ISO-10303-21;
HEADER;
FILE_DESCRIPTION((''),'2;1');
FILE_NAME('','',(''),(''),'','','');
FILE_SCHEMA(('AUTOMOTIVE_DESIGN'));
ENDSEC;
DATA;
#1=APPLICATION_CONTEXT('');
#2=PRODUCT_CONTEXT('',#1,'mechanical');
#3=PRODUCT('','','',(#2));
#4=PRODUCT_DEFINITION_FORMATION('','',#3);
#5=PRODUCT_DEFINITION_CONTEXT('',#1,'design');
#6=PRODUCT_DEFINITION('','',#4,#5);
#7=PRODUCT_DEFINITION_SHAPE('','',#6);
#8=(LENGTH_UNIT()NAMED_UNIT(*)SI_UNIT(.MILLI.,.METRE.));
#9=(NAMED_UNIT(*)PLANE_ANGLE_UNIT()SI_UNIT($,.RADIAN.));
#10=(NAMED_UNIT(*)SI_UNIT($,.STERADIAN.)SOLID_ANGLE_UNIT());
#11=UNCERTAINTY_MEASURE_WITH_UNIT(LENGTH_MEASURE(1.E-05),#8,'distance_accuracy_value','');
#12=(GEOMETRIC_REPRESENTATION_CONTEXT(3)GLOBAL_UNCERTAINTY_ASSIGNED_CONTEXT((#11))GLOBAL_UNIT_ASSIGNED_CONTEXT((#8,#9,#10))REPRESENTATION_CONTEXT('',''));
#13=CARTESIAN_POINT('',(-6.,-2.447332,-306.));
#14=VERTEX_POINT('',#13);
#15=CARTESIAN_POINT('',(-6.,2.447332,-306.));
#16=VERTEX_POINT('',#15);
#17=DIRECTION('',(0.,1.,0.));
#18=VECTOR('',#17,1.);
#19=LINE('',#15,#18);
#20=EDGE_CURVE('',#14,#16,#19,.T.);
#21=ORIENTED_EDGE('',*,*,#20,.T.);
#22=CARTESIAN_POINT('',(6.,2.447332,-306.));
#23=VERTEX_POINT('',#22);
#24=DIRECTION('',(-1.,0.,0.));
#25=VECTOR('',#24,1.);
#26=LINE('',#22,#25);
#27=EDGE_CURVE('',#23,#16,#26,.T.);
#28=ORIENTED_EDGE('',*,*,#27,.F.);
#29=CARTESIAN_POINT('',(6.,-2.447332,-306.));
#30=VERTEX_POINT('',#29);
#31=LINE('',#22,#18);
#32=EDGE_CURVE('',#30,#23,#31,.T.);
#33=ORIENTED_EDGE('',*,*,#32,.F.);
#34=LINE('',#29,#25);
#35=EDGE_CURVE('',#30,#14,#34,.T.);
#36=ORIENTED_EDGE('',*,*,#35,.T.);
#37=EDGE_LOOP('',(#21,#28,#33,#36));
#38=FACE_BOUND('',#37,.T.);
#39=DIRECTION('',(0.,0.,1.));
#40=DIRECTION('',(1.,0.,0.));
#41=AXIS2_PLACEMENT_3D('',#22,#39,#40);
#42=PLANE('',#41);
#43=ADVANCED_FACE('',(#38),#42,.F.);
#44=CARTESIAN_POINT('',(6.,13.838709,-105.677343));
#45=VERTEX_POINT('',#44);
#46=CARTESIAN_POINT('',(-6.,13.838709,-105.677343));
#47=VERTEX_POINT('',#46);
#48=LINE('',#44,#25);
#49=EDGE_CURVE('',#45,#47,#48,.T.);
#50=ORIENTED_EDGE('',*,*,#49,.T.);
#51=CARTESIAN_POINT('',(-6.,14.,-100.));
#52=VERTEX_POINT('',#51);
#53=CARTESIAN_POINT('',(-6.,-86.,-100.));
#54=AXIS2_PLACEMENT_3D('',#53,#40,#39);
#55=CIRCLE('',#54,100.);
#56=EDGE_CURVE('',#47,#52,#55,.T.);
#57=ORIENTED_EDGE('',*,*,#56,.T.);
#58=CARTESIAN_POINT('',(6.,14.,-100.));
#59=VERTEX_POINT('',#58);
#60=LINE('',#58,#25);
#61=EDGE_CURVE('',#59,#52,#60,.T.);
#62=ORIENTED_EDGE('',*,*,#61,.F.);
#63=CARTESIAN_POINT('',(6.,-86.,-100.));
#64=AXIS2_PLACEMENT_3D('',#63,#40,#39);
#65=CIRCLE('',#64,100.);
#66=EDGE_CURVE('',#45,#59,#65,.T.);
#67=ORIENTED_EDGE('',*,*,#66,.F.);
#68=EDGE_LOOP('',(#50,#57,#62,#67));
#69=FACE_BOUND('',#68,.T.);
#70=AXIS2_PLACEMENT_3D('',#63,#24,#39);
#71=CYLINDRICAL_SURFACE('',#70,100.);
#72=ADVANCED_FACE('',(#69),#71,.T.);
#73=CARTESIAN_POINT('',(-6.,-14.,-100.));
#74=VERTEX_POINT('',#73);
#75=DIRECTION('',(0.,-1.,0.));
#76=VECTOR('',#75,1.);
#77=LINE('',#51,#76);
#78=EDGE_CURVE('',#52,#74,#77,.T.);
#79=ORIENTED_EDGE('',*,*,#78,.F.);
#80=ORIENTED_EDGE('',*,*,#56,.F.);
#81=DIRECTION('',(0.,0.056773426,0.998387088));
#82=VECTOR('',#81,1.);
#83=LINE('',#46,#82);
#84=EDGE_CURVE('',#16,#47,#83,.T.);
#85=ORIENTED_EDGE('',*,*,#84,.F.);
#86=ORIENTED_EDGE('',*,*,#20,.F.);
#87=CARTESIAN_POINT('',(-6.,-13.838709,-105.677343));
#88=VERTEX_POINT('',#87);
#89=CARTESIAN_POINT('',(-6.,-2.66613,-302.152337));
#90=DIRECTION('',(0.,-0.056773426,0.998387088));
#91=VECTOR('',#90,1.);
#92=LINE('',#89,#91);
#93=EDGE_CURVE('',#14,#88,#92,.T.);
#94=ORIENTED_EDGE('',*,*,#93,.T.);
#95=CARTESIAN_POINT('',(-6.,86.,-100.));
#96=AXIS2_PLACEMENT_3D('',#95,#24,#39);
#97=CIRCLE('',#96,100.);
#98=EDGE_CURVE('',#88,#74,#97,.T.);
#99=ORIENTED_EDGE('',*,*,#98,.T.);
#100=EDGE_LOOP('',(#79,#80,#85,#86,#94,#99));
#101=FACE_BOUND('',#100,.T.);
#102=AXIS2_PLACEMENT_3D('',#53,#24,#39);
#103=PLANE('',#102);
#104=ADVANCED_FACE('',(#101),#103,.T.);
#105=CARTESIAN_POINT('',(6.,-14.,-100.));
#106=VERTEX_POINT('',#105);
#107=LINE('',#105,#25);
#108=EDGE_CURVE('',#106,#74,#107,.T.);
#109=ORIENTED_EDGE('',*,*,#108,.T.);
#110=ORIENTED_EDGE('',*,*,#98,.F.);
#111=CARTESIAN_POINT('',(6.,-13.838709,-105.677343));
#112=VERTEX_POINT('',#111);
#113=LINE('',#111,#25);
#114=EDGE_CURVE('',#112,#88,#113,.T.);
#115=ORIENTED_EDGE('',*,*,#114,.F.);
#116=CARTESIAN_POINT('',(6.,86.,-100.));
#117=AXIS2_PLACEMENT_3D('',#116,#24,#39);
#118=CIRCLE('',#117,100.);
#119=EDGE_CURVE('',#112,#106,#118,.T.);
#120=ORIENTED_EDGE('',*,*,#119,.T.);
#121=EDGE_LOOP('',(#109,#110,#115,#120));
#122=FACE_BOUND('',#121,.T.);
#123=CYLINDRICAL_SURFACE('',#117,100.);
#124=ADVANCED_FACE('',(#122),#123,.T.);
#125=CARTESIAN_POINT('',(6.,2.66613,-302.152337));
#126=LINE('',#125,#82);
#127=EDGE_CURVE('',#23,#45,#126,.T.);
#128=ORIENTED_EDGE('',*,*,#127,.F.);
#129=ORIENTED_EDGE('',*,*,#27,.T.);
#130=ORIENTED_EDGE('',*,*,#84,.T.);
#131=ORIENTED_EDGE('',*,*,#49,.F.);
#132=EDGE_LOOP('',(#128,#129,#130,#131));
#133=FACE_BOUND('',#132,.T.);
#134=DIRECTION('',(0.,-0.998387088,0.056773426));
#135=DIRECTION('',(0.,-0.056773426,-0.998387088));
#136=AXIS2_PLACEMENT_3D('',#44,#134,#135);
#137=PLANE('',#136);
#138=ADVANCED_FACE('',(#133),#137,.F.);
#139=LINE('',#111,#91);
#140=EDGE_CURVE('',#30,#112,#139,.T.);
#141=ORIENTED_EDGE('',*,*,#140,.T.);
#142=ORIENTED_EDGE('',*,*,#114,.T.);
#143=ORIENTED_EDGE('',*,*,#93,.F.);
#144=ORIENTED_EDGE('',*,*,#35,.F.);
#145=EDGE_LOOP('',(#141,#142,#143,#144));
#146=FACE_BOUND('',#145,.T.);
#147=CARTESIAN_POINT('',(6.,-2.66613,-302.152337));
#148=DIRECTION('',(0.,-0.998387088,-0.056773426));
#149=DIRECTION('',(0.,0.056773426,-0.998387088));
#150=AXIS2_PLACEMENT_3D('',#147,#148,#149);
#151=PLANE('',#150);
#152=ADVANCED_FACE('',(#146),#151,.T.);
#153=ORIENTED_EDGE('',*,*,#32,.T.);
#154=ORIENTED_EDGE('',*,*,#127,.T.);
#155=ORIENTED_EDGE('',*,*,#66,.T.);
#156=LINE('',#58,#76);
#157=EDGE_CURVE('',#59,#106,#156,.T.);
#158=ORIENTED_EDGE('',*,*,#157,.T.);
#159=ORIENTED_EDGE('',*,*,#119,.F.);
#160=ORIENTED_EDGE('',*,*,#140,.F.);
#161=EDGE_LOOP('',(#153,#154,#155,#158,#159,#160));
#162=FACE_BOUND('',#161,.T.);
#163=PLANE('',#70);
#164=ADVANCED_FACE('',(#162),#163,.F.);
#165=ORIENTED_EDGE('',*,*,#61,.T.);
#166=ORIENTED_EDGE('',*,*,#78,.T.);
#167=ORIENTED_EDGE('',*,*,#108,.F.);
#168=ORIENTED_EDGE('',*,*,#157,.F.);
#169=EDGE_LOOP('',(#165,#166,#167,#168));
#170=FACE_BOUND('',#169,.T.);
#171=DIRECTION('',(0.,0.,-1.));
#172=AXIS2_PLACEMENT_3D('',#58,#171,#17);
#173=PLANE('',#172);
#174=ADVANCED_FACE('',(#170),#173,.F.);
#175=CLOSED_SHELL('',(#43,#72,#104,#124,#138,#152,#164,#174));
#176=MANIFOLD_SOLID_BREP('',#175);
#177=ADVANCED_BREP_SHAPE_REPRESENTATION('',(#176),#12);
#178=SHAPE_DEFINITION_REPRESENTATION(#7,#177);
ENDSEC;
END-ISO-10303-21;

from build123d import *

# Parameters (mm, degrees)
EXTRUDE1_DEPTH = 6


with BuildPart() as part:
    # Sketch1 → Extrude1 (new body, symmetric)
    with BuildSketch(Plane(origin=(0, 0, 0), x_dir=(0, 0, -1), z_dir=(1, 0, 0))):
        with BuildLine():
            Line((105.67734259, 13.838708831), (302.152337132, 2.666129904))
            Line((302.152337132, 2.666129904), (306, 2.447331999))
            Line((306, 2.447331999), (306, 0))
            Line((306, 0), (100, 0))
            Line((100, 0), (100, 14))
            ThreePointArc((100, 14), (102.839816619, 13.959669075), (105.67734259, 13.838708831))
        make_face()
    extrude1 = extrude(amount=EXTRUDE1_DEPTH, both=True)

    # Mirror1: Extrude1 across plane
    add(extrude1.mirror(Plane(origin=(6, 0, -306), x_dir=(0, 0, 1), z_dir=(0, 1, 0))))


solid = part.part
